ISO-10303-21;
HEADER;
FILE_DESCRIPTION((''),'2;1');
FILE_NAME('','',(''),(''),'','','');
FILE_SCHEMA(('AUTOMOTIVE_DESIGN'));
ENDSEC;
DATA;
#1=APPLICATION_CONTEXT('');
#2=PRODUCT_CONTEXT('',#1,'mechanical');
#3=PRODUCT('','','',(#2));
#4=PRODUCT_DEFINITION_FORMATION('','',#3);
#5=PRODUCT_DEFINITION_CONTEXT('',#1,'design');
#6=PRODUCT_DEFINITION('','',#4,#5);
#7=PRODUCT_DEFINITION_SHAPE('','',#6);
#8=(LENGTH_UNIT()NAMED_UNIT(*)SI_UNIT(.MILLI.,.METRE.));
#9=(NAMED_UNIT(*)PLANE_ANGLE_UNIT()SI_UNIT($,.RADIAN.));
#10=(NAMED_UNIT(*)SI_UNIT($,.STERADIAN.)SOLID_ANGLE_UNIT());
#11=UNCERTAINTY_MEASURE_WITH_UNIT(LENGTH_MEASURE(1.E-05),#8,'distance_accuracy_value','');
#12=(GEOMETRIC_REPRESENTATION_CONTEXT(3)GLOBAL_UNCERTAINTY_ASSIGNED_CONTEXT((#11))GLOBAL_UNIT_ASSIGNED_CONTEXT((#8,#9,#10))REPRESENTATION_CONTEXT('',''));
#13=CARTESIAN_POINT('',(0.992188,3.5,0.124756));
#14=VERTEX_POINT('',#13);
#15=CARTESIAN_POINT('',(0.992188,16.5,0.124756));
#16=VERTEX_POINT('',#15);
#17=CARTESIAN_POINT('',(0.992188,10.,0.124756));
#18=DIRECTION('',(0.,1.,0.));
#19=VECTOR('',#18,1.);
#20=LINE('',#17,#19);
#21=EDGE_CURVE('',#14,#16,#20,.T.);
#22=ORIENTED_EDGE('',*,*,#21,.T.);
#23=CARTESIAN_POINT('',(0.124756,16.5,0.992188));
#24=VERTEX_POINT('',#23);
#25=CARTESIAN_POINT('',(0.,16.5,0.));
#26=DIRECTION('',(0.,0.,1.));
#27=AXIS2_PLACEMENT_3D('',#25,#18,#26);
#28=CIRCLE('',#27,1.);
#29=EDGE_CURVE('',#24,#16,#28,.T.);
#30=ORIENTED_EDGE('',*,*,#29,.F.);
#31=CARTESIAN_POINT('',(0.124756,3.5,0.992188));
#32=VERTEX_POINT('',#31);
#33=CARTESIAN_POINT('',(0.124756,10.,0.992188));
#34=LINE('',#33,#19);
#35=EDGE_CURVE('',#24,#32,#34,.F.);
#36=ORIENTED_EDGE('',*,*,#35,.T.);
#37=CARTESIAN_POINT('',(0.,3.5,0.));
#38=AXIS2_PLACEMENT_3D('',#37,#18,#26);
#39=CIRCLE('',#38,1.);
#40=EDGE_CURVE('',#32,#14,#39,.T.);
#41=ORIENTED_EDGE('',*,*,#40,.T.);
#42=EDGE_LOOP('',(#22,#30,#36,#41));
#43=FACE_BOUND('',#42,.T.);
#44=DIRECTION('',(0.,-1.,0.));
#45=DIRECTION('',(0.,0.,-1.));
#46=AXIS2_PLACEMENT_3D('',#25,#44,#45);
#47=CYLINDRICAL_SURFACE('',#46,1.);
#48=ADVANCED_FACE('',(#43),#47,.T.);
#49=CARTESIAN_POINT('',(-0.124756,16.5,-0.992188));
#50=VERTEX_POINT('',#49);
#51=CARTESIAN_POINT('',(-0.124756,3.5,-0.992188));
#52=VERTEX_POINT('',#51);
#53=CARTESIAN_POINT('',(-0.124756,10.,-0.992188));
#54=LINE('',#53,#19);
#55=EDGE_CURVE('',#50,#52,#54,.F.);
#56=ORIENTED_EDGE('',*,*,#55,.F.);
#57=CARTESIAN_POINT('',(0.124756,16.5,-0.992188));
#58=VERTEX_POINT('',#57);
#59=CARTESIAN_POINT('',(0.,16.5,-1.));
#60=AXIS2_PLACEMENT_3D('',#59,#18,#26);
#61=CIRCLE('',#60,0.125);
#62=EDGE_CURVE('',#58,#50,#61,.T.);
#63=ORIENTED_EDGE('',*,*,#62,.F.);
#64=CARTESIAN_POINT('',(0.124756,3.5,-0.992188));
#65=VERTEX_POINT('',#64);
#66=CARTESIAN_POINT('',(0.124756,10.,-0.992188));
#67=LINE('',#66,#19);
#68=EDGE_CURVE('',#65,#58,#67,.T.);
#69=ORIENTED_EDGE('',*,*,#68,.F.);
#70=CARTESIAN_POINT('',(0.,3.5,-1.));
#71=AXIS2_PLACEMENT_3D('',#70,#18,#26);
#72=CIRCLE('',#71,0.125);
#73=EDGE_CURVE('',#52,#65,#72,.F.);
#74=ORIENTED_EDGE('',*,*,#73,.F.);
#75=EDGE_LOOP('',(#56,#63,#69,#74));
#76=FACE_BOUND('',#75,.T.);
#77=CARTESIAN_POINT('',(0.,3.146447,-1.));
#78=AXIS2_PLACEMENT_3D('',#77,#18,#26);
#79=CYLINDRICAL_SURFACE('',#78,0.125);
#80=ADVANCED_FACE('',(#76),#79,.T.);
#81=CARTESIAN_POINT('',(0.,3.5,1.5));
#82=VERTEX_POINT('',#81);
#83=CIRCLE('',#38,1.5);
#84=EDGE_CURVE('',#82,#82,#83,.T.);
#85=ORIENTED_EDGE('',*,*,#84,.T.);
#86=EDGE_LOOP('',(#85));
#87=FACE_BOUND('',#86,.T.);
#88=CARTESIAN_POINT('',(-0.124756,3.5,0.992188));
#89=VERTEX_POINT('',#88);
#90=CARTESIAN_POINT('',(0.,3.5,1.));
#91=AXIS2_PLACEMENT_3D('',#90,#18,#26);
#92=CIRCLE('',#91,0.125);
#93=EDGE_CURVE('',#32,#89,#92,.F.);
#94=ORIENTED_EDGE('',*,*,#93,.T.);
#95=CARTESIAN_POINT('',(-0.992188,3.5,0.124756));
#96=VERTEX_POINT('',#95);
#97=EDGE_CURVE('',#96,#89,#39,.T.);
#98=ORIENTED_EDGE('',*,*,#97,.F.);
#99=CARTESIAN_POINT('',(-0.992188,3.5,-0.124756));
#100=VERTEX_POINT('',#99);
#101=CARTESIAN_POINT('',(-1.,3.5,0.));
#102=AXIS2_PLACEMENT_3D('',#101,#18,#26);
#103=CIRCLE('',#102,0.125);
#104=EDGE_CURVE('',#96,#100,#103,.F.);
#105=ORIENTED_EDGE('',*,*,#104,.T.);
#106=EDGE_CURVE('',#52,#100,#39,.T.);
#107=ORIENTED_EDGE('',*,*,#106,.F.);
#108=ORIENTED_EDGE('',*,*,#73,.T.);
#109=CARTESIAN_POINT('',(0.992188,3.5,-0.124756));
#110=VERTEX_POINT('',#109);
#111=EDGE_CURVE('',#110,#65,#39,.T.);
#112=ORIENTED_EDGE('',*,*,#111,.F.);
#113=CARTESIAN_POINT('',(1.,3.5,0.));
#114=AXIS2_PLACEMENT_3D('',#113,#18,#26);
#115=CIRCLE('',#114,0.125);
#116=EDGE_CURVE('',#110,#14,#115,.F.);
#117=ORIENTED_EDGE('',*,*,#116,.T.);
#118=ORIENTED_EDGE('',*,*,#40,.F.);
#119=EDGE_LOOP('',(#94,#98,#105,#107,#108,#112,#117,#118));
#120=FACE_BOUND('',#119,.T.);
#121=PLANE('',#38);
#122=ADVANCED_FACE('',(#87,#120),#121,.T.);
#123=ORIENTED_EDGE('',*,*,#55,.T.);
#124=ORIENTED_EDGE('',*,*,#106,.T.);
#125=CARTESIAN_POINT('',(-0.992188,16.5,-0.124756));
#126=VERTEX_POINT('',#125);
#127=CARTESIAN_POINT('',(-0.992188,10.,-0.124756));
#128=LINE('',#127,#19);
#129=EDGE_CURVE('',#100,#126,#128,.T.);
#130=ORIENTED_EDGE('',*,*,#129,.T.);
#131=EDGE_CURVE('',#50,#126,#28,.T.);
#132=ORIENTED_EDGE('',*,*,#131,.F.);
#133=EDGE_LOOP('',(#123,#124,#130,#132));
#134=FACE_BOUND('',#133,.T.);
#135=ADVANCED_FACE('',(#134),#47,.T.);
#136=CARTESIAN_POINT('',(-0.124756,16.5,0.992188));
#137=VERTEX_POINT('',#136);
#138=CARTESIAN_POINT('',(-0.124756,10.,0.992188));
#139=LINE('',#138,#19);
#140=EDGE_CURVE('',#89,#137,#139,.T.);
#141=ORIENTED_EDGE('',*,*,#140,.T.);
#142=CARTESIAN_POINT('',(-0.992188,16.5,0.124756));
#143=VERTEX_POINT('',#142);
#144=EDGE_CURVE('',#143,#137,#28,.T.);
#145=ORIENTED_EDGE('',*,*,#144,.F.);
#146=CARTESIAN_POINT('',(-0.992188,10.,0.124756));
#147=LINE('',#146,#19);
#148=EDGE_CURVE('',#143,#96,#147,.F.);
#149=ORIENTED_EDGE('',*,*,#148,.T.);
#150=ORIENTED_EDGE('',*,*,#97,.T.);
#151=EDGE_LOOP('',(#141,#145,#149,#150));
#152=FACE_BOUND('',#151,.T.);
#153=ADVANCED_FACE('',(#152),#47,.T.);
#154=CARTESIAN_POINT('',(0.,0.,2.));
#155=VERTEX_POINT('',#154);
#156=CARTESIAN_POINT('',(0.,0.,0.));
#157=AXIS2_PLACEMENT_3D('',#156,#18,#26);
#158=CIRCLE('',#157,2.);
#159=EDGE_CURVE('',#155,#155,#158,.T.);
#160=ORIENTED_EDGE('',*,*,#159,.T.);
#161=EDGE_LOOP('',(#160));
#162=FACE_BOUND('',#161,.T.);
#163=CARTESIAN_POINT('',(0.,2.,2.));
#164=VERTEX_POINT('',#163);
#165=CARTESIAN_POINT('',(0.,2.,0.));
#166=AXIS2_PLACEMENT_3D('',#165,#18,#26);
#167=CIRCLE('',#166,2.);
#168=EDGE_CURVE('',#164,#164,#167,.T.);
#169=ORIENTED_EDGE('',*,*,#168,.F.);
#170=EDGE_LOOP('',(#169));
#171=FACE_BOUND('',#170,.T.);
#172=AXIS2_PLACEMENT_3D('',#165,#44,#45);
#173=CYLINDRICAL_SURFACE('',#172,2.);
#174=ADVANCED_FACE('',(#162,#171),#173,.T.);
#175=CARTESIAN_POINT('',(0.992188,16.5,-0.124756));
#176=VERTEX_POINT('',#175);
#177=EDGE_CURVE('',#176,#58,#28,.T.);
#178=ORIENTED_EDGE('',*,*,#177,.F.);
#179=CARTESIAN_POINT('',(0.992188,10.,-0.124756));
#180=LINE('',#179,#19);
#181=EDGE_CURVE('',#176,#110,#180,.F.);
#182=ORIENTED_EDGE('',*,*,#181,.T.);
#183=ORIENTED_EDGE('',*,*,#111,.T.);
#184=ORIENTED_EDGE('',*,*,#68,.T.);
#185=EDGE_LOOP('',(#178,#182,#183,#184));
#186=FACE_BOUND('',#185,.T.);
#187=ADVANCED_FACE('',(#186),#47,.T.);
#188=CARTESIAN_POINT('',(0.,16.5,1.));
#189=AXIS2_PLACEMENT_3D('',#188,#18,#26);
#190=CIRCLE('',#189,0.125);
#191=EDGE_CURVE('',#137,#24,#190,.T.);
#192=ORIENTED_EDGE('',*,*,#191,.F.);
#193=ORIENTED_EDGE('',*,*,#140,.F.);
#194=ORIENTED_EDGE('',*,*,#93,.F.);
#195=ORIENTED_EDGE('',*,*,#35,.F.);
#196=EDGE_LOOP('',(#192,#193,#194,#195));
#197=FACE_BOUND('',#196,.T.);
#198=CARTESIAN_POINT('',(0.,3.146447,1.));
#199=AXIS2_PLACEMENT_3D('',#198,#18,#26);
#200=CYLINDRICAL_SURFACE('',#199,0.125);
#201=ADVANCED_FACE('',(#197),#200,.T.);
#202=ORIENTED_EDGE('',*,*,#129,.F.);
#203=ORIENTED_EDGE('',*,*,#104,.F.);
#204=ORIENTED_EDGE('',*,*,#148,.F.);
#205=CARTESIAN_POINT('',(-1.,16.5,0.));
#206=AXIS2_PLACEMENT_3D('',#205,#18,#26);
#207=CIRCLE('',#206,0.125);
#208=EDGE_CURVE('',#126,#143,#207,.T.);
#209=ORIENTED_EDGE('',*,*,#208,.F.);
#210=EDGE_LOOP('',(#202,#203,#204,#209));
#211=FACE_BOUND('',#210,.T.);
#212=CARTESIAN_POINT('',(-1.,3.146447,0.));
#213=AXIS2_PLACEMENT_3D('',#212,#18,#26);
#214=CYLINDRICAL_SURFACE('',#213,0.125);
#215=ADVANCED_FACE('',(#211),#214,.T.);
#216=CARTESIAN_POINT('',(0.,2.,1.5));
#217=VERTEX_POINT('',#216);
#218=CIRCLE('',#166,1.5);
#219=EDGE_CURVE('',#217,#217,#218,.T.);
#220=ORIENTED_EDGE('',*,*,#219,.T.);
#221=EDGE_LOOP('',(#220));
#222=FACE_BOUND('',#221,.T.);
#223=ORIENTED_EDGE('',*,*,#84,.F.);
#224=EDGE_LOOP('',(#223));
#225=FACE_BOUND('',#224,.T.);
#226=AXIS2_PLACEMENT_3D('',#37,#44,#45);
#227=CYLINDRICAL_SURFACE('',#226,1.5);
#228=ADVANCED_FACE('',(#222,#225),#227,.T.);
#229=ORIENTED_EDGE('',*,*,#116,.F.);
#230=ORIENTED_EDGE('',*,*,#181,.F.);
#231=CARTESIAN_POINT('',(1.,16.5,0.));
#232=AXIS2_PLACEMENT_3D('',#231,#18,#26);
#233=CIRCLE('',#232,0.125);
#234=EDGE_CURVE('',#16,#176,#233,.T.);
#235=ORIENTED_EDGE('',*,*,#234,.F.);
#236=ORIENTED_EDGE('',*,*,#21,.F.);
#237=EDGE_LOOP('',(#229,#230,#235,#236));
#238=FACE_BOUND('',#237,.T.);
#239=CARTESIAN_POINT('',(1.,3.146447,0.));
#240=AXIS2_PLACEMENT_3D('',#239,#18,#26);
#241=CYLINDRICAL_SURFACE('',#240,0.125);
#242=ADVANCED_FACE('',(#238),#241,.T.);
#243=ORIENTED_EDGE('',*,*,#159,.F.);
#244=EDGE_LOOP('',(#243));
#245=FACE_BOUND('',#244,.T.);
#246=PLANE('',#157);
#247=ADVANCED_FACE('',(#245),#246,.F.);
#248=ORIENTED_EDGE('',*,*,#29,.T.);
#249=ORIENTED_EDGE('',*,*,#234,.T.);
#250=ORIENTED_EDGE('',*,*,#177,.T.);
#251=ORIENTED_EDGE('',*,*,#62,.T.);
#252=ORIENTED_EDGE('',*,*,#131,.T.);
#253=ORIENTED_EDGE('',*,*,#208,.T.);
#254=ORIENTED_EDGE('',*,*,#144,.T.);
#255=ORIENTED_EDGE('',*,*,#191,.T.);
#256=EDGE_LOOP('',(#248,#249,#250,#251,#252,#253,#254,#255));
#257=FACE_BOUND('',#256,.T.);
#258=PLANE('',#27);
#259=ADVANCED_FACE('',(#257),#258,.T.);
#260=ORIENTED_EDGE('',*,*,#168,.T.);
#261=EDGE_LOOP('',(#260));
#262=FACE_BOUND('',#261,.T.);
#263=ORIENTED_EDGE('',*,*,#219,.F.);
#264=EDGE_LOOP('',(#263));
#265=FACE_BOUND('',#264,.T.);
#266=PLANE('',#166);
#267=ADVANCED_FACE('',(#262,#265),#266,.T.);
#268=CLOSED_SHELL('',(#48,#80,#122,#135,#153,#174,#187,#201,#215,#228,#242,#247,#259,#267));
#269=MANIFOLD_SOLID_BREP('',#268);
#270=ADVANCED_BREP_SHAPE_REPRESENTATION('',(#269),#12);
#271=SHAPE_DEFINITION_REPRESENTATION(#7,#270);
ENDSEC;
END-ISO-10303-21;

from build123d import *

# Parameters (mm, degrees)
SKETCH1_R           = 2
BOSS_EXTRUDE1_DEPTH = 2
SKETCH2_R           = 1.5
BOSS_EXTRUDE2_DEPTH = 1.5
SKETCH3_R           = 1
BOSS_EXTRUDE3_DEPTH = 13
SKETCH4_R           = 0.125
BOSS_EXTRUDE4_DEPTH = 13


with BuildPart() as part:
    # Sketch1 → Boss-Extrude1 (new body)
    with BuildSketch(Plane(origin=(0, 0, 0), x_dir=(1, 0, 0), z_dir=(0, 1, 0))):
        Circle(SKETCH1_R)
    extrude(amount=BOSS_EXTRUDE1_DEPTH)

    # Sketch2 → Boss-Extrude2 (add)
    with BuildSketch(Plane(origin=(0, 2, 0), x_dir=(1, 0, 0), z_dir=(0, 1, 0))):
        Circle(SKETCH2_R)
    extrude(amount=BOSS_EXTRUDE2_DEPTH)

    # Sketch3 → Boss-Extrude3 (add)
    with BuildSketch(Plane(origin=(0, 3.5, 0), x_dir=(1, 0, 0), z_dir=(0, 1, 0))):
        Circle(SKETCH3_R)
    extrude(amount=BOSS_EXTRUDE3_DEPTH)

    # Sketch4 → Boss-Extrude4 (add)
    with BuildSketch(Plane(origin=(0, 16.5, 0), x_dir=(1, 0, 0), z_dir=(0, 1, 0))):
        with Locations((0, 1)):
            Circle(SKETCH4_R)
        with Locations((-1, 0)):
            Circle(SKETCH4_R)
        with Locations((0, -1)):
            Circle(SKETCH4_R)
        with Locations((1, 0)):
            Circle(SKETCH4_R)
    extrude(amount=-BOSS_EXTRUDE4_DEPTH)


solid = part.part
